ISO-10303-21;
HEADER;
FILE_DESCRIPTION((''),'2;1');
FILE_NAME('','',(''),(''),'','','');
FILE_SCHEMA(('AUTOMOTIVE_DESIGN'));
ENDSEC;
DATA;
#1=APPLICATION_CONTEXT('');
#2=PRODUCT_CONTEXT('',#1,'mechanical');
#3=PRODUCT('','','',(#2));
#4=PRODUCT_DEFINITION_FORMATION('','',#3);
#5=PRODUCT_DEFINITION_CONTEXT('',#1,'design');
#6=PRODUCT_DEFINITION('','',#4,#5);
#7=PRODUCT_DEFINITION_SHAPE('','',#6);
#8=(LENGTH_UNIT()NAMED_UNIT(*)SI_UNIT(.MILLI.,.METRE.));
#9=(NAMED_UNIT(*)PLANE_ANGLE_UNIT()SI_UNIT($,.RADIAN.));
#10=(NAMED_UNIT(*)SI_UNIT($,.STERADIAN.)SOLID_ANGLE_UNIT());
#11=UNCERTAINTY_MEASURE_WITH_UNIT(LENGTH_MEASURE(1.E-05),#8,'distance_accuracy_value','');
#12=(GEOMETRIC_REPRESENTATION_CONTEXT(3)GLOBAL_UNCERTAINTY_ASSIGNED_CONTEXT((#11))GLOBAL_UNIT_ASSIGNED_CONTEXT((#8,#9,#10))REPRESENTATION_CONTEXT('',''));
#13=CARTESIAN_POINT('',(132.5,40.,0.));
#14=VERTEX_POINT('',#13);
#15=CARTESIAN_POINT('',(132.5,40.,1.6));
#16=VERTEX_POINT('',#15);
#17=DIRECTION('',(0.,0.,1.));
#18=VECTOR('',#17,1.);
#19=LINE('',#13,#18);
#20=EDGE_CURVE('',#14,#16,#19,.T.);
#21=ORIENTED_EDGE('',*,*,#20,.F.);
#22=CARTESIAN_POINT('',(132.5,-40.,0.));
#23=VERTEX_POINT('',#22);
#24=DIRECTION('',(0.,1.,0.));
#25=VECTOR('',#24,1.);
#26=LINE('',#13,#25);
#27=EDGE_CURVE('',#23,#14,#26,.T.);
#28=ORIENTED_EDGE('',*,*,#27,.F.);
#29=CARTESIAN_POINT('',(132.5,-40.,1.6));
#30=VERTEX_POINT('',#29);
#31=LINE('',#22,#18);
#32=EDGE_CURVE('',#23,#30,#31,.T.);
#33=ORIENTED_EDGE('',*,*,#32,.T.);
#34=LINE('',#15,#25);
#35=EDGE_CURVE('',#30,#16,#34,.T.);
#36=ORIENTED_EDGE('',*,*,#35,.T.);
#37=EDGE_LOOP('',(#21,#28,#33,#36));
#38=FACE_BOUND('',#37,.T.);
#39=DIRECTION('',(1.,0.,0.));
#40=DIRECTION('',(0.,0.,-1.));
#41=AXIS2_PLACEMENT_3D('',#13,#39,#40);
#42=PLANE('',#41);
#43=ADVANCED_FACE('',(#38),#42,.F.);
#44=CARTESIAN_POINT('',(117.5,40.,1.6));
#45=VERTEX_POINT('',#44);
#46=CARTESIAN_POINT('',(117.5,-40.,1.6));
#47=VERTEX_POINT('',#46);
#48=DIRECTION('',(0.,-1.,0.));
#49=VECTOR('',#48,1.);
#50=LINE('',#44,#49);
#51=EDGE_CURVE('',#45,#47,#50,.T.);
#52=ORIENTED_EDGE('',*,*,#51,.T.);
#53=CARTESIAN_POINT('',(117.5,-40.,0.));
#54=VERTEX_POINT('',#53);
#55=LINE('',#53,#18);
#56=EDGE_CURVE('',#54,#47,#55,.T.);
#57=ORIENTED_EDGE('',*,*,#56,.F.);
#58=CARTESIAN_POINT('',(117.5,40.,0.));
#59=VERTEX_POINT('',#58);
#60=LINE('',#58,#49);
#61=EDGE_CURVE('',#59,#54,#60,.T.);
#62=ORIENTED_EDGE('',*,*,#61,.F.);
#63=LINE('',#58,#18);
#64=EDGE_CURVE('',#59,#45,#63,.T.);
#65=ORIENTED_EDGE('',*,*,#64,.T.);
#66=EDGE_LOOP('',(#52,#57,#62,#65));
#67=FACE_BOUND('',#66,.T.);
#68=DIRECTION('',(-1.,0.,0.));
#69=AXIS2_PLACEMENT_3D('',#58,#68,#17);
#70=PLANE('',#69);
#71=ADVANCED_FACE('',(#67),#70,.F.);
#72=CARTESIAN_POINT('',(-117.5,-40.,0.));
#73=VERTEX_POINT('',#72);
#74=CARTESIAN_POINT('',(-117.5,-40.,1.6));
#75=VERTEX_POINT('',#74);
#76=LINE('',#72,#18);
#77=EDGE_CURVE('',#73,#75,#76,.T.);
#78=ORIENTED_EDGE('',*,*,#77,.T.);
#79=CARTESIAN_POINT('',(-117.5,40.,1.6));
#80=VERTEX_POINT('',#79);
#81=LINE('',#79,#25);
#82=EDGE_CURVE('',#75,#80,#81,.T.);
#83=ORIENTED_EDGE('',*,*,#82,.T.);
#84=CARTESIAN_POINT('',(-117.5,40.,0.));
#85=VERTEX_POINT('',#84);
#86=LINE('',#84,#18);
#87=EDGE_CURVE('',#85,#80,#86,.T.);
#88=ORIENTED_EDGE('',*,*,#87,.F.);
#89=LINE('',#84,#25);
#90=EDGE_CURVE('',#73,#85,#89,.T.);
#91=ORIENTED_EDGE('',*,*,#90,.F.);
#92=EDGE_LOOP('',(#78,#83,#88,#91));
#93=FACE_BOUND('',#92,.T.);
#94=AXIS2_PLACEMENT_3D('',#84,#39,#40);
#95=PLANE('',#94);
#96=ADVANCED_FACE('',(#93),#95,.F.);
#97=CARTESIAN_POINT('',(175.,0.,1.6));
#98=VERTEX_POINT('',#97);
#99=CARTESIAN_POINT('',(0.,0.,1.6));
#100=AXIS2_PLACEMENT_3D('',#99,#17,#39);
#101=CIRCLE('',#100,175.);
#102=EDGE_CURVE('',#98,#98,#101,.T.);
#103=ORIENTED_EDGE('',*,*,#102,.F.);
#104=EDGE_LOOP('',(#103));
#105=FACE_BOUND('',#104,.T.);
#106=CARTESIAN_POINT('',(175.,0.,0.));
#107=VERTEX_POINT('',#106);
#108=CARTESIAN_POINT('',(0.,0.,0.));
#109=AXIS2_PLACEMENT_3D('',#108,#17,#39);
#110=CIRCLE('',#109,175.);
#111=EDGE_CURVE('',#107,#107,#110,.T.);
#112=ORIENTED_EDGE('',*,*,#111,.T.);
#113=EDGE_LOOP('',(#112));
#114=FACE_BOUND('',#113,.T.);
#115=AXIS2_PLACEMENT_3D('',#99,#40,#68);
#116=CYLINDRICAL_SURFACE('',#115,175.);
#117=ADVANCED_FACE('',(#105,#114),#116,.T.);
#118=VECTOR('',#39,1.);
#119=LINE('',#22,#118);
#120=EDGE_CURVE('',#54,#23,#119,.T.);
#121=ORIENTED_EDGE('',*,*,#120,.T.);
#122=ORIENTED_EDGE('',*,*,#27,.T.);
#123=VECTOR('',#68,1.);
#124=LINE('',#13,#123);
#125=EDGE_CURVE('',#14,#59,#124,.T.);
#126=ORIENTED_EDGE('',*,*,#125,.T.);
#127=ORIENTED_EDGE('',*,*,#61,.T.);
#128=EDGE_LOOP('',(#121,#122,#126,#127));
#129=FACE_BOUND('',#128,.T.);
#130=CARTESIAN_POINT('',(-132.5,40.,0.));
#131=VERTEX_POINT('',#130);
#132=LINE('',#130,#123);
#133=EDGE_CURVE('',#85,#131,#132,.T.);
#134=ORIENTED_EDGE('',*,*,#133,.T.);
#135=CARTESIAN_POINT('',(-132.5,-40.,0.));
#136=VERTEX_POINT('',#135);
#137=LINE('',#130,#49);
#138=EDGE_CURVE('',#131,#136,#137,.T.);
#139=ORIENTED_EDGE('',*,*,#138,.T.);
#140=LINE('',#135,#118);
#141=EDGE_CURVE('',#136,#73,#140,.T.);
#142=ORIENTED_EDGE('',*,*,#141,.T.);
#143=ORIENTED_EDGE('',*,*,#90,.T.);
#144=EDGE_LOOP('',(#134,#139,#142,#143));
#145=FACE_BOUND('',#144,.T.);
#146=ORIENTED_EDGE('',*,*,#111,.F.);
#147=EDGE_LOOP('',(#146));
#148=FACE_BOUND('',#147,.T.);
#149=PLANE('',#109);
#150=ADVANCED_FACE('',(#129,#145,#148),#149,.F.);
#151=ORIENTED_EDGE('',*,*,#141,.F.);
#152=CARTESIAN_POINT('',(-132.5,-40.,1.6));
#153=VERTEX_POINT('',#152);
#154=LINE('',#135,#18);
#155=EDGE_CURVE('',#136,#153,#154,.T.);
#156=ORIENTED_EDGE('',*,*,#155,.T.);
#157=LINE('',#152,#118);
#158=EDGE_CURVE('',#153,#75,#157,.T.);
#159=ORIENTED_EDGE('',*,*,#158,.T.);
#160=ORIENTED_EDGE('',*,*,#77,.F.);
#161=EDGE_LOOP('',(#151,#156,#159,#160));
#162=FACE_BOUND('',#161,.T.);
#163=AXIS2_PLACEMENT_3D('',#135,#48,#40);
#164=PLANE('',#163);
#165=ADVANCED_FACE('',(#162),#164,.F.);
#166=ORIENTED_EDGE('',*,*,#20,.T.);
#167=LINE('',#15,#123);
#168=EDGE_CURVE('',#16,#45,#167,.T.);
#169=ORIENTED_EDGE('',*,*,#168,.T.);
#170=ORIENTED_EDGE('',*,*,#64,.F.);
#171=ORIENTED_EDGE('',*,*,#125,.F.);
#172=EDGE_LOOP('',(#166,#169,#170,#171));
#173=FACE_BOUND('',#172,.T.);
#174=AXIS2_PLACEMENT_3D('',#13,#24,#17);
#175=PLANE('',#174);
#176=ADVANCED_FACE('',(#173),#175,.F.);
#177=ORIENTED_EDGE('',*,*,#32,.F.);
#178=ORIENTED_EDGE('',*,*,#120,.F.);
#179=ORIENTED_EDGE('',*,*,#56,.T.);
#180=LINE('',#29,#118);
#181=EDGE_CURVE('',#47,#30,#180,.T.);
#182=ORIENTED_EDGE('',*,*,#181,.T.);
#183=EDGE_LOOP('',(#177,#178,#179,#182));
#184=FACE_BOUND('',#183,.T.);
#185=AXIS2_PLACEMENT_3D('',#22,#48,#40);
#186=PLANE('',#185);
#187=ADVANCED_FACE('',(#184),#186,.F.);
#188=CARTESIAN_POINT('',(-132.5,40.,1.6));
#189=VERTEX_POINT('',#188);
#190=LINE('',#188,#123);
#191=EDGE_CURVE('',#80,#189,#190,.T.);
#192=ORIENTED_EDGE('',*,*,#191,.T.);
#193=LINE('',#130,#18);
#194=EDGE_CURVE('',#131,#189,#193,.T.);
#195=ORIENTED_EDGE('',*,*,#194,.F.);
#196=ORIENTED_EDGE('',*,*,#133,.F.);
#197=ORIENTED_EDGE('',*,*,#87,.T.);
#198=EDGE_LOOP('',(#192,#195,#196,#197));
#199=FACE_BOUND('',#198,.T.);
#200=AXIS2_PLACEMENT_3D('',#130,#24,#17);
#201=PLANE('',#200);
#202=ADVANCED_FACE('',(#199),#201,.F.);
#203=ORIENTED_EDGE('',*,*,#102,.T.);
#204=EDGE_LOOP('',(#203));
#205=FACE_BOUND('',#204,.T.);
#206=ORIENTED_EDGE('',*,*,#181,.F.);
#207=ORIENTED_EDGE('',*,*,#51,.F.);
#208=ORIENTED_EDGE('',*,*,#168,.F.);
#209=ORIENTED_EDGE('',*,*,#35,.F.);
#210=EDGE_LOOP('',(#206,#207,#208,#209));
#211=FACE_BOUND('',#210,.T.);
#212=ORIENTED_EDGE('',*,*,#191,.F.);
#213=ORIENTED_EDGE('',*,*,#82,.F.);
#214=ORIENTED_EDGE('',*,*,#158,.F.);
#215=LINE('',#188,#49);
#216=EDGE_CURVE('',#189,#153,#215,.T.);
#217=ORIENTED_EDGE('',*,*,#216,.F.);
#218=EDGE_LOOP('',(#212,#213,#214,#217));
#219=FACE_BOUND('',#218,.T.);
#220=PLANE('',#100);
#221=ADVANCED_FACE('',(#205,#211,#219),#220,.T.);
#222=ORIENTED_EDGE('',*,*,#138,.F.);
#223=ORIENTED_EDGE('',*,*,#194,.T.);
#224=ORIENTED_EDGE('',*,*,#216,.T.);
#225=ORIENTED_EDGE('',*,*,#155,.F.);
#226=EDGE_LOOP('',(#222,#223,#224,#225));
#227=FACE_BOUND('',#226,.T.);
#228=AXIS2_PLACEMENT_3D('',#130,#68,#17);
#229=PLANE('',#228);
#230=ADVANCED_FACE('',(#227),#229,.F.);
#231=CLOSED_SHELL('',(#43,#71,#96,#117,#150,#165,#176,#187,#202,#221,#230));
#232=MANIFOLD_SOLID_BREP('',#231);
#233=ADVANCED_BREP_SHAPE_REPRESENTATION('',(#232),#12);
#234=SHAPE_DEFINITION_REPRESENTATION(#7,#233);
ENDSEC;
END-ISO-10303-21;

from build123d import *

# Parameters (mm, degrees)
SKETCH1_R           = 175
BOSS_EXTRUDE1_DEPTH = 1.6
SKETCH2_W           = 15
SKETCH2_H           = 80
CUT_EXTRUDE1_DEPTH  = 2.6


with BuildPart() as part:
    # Sketch1 → Boss-Extrude1 (new body)
    with BuildSketch(Plane.XY):
        Circle(SKETCH1_R)
    extrude(amount=BOSS_EXTRUDE1_DEPTH)

    # Sketch2 → Cut-Extrude1 (cut, through all)
    with BuildSketch(Plane.XY.offset(1.6)):
        with Locations((-125, 0)):
            Rectangle(SKETCH2_W, SKETCH2_H)
        with Locations((125, 0)):
            Rectangle(SKETCH2_W, SKETCH2_H)
    extrude(amount=-CUT_EXTRUDE1_DEPTH, mode=Mode.SUBTRACT)


solid = part.part
